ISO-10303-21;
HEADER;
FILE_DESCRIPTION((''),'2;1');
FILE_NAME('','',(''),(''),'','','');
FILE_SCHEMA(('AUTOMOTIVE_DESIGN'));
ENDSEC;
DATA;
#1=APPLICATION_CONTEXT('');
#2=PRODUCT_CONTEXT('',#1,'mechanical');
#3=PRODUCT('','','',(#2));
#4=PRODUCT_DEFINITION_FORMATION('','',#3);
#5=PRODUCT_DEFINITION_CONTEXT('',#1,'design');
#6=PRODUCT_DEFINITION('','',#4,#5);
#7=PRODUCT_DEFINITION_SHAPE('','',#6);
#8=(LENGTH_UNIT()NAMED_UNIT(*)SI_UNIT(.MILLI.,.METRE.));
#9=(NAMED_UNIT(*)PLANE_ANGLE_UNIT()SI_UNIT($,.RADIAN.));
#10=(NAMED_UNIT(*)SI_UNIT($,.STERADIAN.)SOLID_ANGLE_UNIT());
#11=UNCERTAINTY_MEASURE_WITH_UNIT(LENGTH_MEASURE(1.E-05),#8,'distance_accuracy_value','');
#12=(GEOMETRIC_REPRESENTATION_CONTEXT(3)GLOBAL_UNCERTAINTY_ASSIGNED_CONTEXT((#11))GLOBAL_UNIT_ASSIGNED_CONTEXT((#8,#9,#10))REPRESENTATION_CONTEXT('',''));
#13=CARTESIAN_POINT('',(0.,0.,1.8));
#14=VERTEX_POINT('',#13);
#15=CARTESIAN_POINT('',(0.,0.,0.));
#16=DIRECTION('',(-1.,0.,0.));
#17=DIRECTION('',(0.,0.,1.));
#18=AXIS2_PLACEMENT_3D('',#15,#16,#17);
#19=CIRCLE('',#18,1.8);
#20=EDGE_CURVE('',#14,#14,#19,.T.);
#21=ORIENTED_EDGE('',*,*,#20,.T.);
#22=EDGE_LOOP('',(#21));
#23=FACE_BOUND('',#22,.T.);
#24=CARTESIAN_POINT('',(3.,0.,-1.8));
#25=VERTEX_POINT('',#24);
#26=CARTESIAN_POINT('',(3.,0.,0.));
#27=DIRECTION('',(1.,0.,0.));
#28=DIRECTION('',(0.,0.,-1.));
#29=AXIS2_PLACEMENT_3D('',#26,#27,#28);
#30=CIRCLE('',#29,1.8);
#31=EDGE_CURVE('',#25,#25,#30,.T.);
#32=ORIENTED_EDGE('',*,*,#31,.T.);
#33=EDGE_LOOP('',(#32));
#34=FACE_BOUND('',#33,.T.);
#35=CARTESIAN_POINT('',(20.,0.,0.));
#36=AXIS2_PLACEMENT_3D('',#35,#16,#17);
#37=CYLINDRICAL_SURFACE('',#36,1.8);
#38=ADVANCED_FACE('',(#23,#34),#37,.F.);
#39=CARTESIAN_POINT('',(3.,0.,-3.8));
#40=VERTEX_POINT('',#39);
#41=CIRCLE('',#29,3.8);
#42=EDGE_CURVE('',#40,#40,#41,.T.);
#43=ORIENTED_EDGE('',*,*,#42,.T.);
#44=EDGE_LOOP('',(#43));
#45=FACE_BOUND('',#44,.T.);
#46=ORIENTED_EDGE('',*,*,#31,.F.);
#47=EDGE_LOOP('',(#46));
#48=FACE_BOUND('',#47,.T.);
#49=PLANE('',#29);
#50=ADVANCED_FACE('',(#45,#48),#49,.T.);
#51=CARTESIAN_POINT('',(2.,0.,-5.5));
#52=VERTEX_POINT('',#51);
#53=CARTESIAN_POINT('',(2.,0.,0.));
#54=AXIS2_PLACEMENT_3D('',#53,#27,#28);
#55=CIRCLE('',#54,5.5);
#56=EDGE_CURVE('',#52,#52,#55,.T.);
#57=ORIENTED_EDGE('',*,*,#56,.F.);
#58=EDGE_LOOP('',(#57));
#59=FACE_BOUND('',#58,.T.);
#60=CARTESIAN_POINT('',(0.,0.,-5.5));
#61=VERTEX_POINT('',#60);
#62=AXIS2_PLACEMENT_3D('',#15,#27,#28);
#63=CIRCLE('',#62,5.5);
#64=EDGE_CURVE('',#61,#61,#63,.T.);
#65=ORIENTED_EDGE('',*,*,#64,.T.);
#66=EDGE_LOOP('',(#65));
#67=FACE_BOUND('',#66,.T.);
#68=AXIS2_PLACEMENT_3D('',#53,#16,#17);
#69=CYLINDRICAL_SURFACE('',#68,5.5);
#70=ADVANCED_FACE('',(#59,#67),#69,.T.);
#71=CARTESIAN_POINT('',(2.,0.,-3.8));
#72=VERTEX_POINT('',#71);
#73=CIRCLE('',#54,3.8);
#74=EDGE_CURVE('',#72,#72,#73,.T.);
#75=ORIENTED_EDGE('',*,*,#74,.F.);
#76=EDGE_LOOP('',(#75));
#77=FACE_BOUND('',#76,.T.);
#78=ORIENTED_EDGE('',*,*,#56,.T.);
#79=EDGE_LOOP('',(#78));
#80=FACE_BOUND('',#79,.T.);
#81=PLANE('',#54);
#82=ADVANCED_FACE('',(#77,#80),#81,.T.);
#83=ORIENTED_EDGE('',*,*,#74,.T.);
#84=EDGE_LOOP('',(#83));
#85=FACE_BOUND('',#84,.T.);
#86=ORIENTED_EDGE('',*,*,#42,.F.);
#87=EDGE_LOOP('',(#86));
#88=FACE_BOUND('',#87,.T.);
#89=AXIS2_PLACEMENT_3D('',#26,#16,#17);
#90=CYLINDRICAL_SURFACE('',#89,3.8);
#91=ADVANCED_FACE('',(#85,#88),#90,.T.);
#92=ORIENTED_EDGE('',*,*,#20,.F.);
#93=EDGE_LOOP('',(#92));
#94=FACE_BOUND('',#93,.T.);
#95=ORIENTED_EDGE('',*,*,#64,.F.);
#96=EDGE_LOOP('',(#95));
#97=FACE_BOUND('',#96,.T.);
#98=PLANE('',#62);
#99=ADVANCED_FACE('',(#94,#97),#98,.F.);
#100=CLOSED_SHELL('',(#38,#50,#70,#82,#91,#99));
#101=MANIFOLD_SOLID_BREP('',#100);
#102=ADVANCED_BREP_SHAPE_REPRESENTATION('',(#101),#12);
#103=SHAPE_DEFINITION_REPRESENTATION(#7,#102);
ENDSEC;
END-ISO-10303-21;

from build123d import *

# Parameters (mm, degrees)
SKETCH1_R           = 5.5
BOSS_EXTRUDE1_DEPTH = 2
SKETCH2_R           = 3.8
BOSS_EXTRUDE2_DEPTH = 1
SKETCH3_R           = 1.8
CUT_EXTRUDE1_DEPTH  = 20


with BuildPart() as part:
    # Sketch1 → Boss-Extrude1 (new body)
    with BuildSketch(Plane(origin=(0, 0, 0), x_dir=(0, 0, -1), z_dir=(1, 0, 0))):
        Circle(SKETCH1_R)
    extrude(amount=BOSS_EXTRUDE1_DEPTH)

    # Sketch2 → Boss-Extrude2 (add)
    with BuildSketch(Plane(origin=(2, 0, 0), x_dir=(0, 0, -1), z_dir=(1, 0, 0))):
        Circle(SKETCH2_R)
    extrude(amount=BOSS_EXTRUDE2_DEPTH)

    # Sketch3 → Cut-Extrude1 (cut)
    with BuildSketch(Plane.ZY):
        Circle(SKETCH3_R)
    extrude(amount=-CUT_EXTRUDE1_DEPTH, mode=Mode.SUBTRACT)


solid = part.part
